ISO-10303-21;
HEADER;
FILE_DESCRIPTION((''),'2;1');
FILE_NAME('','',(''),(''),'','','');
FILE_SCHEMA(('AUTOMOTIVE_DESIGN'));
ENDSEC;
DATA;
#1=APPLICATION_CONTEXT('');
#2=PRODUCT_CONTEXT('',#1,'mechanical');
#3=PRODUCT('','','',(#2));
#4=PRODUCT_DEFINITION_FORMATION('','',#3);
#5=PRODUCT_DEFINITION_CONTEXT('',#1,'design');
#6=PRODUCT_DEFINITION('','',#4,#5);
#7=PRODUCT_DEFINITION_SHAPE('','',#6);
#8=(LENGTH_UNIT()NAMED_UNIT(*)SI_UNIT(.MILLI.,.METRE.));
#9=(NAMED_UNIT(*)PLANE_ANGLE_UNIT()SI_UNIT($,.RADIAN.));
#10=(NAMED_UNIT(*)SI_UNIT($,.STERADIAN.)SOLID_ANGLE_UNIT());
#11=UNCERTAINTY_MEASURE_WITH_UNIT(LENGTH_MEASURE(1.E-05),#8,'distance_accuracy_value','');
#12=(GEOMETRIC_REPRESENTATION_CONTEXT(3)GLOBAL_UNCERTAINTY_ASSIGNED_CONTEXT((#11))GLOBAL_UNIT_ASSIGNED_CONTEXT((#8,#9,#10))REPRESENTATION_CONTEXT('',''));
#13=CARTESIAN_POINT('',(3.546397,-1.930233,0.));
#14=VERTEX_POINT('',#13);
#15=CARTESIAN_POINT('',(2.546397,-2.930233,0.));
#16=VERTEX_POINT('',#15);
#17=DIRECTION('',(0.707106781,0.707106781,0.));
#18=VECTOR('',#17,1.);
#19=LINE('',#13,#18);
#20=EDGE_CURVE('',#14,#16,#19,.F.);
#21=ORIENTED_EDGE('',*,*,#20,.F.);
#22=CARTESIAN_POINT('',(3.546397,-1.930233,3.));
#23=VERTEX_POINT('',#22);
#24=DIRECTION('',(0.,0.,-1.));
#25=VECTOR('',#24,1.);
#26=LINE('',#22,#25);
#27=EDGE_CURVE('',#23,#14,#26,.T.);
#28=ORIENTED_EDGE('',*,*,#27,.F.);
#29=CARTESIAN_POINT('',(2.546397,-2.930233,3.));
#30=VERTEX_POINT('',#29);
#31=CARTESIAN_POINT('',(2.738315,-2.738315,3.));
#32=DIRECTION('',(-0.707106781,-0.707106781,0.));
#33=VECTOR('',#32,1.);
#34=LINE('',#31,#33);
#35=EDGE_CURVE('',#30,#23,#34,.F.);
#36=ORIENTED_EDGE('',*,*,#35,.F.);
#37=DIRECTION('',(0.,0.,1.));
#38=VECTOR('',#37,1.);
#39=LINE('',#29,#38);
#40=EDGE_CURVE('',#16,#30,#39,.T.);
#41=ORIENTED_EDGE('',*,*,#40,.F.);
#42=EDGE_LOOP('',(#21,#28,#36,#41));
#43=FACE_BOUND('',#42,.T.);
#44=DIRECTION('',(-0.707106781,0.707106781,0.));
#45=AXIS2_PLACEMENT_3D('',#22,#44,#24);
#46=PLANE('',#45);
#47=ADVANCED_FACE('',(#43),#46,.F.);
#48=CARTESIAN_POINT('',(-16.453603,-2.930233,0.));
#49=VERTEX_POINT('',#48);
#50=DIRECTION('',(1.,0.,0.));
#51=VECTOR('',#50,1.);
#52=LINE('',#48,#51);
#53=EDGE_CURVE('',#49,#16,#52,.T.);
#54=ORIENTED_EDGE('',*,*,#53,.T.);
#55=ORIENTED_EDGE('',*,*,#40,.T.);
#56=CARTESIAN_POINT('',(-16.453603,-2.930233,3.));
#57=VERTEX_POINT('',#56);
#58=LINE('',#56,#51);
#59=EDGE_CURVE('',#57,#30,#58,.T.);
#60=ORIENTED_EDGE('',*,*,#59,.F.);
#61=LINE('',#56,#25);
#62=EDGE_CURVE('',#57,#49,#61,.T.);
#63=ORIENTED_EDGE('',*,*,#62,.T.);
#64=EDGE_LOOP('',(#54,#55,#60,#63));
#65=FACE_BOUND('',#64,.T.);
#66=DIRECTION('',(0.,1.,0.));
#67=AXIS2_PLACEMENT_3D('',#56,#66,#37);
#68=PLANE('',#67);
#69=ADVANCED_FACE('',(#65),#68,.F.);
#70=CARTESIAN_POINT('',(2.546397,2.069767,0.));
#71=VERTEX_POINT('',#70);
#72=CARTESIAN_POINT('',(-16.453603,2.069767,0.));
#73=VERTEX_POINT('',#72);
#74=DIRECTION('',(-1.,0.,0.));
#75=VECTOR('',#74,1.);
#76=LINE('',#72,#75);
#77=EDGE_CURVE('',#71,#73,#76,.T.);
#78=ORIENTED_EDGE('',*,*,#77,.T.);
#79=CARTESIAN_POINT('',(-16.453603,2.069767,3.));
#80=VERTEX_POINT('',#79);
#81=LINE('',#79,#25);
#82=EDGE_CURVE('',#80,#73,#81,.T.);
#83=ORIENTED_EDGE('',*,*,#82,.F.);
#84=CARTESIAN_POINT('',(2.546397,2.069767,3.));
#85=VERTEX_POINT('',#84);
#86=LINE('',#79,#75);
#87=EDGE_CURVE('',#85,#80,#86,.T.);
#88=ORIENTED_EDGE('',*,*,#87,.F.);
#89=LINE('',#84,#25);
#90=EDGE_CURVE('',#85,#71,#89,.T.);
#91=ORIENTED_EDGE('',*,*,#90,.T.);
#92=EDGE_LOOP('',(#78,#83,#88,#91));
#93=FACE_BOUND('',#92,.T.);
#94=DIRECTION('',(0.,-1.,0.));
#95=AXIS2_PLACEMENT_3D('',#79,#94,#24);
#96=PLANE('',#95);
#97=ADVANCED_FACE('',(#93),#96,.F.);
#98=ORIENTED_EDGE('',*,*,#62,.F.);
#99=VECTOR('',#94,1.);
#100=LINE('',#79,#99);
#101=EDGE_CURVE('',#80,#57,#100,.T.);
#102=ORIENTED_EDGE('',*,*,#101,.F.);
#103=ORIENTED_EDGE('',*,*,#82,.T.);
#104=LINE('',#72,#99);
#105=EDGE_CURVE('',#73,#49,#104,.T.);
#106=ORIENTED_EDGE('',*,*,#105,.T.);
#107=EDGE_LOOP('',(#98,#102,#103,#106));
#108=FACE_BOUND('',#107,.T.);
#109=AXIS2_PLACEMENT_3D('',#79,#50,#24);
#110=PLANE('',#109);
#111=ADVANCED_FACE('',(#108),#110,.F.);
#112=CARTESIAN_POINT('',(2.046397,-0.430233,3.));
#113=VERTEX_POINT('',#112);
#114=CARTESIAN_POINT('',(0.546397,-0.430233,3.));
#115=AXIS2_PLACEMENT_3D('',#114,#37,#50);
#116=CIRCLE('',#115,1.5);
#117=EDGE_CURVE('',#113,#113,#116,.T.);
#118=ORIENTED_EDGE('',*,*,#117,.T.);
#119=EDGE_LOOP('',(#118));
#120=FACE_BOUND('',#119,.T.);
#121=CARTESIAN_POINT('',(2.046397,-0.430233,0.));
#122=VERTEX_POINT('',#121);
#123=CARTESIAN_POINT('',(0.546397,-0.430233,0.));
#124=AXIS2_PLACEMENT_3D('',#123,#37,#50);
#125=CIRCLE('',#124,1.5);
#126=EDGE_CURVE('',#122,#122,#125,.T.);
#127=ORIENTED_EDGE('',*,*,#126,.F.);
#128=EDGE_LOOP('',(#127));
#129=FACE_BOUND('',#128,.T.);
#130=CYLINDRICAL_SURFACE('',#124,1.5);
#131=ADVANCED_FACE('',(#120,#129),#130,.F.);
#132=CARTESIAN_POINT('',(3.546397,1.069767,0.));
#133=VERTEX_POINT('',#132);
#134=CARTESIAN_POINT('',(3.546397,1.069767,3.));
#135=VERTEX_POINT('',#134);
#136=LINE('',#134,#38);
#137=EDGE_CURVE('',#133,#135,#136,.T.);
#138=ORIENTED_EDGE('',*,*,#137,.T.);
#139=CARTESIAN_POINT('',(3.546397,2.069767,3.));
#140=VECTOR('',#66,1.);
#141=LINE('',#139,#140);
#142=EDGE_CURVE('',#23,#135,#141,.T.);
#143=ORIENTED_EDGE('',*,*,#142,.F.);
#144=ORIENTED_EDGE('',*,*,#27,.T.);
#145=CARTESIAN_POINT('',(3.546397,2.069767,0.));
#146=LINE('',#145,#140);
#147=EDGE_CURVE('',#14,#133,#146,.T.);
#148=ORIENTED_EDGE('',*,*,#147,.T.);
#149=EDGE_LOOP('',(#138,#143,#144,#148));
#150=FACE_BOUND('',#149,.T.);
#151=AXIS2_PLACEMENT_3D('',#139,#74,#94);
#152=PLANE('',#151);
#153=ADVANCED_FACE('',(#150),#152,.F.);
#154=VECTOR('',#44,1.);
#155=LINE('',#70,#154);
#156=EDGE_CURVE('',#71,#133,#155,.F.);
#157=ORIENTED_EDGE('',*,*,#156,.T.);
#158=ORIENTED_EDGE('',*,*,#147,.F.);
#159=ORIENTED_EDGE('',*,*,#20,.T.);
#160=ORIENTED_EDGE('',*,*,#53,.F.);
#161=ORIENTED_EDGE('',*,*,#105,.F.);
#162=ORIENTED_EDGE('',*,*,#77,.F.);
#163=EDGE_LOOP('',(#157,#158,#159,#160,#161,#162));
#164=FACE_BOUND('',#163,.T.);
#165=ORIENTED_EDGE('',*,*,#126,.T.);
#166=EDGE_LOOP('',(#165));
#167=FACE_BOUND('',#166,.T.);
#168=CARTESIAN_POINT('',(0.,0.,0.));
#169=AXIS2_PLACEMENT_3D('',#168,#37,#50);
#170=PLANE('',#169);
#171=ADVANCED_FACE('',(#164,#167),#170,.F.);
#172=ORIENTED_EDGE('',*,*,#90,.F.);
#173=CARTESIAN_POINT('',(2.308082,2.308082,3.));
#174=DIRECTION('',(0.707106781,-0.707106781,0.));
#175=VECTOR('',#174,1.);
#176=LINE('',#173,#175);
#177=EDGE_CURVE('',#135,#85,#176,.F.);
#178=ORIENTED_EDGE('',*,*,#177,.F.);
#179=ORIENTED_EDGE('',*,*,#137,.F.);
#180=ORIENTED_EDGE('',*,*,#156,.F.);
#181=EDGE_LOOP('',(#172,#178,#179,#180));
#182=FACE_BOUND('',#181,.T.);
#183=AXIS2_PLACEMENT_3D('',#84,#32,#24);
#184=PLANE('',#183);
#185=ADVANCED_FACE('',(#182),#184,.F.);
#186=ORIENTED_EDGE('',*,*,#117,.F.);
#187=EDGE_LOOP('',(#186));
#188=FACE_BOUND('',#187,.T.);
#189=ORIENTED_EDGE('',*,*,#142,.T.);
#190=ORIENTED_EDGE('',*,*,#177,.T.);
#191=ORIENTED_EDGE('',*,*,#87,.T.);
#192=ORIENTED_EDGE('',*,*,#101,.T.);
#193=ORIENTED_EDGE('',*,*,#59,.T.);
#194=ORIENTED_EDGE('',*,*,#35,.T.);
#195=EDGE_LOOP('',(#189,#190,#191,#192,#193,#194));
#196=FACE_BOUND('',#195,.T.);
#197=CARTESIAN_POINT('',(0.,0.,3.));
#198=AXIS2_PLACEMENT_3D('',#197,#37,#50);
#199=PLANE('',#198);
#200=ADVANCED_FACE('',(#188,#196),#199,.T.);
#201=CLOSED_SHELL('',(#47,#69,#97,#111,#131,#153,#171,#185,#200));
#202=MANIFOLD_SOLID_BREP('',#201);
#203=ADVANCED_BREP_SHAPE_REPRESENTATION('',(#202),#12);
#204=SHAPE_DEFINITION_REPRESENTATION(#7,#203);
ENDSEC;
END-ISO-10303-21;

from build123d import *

# Parameters (mm, degrees)
SKETCH_1_W          = 20
SKETCH_1_H          = 5
EXTRUDE_1_DEPTH     = 3
SKETCH_2_R          = 1.5
CUT_EXTRUDE_1_DEPTH = 3
CHAMFER_1_SIZE      = 1
CHAMFER_2_SIZE      = 1


with BuildPart() as part:
    # 草图1 → 凸台-拉伸1 (new body)
    with BuildSketch(Plane.XY):
        with Locations((-6.4536035, -0.430232558)):
            Rectangle(SKETCH_1_W, SKETCH_1_H)
    extrude(amount=EXTRUDE_1_DEPTH)

    # 草图2 → 切除-拉伸1 (cut)
    with BuildSketch(Plane.XY.offset(3)):
        with Locations((0.5463965, -0.430232558)):
            Circle(SKETCH_2_R)
    extrude(amount=-CUT_EXTRUDE_1_DEPTH, mode=Mode.SUBTRACT)

    # 倒角1
    chamfer_1_edges = [part.edges().sort_by_distance(p)[0] for p in [
        (3.5463965, -2.930232558, 1.5),
    ]]
    chamfer(chamfer_1_edges, length=CHAMFER_1_SIZE)

    # 倒角2
    chamfer_2_edges = [part.edges().sort_by_distance(p)[0] for p in [
        (3.5463965, 2.069767442, 1.5),
    ]]
    chamfer(chamfer_2_edges, length=CHAMFER_2_SIZE)


solid = part.part
